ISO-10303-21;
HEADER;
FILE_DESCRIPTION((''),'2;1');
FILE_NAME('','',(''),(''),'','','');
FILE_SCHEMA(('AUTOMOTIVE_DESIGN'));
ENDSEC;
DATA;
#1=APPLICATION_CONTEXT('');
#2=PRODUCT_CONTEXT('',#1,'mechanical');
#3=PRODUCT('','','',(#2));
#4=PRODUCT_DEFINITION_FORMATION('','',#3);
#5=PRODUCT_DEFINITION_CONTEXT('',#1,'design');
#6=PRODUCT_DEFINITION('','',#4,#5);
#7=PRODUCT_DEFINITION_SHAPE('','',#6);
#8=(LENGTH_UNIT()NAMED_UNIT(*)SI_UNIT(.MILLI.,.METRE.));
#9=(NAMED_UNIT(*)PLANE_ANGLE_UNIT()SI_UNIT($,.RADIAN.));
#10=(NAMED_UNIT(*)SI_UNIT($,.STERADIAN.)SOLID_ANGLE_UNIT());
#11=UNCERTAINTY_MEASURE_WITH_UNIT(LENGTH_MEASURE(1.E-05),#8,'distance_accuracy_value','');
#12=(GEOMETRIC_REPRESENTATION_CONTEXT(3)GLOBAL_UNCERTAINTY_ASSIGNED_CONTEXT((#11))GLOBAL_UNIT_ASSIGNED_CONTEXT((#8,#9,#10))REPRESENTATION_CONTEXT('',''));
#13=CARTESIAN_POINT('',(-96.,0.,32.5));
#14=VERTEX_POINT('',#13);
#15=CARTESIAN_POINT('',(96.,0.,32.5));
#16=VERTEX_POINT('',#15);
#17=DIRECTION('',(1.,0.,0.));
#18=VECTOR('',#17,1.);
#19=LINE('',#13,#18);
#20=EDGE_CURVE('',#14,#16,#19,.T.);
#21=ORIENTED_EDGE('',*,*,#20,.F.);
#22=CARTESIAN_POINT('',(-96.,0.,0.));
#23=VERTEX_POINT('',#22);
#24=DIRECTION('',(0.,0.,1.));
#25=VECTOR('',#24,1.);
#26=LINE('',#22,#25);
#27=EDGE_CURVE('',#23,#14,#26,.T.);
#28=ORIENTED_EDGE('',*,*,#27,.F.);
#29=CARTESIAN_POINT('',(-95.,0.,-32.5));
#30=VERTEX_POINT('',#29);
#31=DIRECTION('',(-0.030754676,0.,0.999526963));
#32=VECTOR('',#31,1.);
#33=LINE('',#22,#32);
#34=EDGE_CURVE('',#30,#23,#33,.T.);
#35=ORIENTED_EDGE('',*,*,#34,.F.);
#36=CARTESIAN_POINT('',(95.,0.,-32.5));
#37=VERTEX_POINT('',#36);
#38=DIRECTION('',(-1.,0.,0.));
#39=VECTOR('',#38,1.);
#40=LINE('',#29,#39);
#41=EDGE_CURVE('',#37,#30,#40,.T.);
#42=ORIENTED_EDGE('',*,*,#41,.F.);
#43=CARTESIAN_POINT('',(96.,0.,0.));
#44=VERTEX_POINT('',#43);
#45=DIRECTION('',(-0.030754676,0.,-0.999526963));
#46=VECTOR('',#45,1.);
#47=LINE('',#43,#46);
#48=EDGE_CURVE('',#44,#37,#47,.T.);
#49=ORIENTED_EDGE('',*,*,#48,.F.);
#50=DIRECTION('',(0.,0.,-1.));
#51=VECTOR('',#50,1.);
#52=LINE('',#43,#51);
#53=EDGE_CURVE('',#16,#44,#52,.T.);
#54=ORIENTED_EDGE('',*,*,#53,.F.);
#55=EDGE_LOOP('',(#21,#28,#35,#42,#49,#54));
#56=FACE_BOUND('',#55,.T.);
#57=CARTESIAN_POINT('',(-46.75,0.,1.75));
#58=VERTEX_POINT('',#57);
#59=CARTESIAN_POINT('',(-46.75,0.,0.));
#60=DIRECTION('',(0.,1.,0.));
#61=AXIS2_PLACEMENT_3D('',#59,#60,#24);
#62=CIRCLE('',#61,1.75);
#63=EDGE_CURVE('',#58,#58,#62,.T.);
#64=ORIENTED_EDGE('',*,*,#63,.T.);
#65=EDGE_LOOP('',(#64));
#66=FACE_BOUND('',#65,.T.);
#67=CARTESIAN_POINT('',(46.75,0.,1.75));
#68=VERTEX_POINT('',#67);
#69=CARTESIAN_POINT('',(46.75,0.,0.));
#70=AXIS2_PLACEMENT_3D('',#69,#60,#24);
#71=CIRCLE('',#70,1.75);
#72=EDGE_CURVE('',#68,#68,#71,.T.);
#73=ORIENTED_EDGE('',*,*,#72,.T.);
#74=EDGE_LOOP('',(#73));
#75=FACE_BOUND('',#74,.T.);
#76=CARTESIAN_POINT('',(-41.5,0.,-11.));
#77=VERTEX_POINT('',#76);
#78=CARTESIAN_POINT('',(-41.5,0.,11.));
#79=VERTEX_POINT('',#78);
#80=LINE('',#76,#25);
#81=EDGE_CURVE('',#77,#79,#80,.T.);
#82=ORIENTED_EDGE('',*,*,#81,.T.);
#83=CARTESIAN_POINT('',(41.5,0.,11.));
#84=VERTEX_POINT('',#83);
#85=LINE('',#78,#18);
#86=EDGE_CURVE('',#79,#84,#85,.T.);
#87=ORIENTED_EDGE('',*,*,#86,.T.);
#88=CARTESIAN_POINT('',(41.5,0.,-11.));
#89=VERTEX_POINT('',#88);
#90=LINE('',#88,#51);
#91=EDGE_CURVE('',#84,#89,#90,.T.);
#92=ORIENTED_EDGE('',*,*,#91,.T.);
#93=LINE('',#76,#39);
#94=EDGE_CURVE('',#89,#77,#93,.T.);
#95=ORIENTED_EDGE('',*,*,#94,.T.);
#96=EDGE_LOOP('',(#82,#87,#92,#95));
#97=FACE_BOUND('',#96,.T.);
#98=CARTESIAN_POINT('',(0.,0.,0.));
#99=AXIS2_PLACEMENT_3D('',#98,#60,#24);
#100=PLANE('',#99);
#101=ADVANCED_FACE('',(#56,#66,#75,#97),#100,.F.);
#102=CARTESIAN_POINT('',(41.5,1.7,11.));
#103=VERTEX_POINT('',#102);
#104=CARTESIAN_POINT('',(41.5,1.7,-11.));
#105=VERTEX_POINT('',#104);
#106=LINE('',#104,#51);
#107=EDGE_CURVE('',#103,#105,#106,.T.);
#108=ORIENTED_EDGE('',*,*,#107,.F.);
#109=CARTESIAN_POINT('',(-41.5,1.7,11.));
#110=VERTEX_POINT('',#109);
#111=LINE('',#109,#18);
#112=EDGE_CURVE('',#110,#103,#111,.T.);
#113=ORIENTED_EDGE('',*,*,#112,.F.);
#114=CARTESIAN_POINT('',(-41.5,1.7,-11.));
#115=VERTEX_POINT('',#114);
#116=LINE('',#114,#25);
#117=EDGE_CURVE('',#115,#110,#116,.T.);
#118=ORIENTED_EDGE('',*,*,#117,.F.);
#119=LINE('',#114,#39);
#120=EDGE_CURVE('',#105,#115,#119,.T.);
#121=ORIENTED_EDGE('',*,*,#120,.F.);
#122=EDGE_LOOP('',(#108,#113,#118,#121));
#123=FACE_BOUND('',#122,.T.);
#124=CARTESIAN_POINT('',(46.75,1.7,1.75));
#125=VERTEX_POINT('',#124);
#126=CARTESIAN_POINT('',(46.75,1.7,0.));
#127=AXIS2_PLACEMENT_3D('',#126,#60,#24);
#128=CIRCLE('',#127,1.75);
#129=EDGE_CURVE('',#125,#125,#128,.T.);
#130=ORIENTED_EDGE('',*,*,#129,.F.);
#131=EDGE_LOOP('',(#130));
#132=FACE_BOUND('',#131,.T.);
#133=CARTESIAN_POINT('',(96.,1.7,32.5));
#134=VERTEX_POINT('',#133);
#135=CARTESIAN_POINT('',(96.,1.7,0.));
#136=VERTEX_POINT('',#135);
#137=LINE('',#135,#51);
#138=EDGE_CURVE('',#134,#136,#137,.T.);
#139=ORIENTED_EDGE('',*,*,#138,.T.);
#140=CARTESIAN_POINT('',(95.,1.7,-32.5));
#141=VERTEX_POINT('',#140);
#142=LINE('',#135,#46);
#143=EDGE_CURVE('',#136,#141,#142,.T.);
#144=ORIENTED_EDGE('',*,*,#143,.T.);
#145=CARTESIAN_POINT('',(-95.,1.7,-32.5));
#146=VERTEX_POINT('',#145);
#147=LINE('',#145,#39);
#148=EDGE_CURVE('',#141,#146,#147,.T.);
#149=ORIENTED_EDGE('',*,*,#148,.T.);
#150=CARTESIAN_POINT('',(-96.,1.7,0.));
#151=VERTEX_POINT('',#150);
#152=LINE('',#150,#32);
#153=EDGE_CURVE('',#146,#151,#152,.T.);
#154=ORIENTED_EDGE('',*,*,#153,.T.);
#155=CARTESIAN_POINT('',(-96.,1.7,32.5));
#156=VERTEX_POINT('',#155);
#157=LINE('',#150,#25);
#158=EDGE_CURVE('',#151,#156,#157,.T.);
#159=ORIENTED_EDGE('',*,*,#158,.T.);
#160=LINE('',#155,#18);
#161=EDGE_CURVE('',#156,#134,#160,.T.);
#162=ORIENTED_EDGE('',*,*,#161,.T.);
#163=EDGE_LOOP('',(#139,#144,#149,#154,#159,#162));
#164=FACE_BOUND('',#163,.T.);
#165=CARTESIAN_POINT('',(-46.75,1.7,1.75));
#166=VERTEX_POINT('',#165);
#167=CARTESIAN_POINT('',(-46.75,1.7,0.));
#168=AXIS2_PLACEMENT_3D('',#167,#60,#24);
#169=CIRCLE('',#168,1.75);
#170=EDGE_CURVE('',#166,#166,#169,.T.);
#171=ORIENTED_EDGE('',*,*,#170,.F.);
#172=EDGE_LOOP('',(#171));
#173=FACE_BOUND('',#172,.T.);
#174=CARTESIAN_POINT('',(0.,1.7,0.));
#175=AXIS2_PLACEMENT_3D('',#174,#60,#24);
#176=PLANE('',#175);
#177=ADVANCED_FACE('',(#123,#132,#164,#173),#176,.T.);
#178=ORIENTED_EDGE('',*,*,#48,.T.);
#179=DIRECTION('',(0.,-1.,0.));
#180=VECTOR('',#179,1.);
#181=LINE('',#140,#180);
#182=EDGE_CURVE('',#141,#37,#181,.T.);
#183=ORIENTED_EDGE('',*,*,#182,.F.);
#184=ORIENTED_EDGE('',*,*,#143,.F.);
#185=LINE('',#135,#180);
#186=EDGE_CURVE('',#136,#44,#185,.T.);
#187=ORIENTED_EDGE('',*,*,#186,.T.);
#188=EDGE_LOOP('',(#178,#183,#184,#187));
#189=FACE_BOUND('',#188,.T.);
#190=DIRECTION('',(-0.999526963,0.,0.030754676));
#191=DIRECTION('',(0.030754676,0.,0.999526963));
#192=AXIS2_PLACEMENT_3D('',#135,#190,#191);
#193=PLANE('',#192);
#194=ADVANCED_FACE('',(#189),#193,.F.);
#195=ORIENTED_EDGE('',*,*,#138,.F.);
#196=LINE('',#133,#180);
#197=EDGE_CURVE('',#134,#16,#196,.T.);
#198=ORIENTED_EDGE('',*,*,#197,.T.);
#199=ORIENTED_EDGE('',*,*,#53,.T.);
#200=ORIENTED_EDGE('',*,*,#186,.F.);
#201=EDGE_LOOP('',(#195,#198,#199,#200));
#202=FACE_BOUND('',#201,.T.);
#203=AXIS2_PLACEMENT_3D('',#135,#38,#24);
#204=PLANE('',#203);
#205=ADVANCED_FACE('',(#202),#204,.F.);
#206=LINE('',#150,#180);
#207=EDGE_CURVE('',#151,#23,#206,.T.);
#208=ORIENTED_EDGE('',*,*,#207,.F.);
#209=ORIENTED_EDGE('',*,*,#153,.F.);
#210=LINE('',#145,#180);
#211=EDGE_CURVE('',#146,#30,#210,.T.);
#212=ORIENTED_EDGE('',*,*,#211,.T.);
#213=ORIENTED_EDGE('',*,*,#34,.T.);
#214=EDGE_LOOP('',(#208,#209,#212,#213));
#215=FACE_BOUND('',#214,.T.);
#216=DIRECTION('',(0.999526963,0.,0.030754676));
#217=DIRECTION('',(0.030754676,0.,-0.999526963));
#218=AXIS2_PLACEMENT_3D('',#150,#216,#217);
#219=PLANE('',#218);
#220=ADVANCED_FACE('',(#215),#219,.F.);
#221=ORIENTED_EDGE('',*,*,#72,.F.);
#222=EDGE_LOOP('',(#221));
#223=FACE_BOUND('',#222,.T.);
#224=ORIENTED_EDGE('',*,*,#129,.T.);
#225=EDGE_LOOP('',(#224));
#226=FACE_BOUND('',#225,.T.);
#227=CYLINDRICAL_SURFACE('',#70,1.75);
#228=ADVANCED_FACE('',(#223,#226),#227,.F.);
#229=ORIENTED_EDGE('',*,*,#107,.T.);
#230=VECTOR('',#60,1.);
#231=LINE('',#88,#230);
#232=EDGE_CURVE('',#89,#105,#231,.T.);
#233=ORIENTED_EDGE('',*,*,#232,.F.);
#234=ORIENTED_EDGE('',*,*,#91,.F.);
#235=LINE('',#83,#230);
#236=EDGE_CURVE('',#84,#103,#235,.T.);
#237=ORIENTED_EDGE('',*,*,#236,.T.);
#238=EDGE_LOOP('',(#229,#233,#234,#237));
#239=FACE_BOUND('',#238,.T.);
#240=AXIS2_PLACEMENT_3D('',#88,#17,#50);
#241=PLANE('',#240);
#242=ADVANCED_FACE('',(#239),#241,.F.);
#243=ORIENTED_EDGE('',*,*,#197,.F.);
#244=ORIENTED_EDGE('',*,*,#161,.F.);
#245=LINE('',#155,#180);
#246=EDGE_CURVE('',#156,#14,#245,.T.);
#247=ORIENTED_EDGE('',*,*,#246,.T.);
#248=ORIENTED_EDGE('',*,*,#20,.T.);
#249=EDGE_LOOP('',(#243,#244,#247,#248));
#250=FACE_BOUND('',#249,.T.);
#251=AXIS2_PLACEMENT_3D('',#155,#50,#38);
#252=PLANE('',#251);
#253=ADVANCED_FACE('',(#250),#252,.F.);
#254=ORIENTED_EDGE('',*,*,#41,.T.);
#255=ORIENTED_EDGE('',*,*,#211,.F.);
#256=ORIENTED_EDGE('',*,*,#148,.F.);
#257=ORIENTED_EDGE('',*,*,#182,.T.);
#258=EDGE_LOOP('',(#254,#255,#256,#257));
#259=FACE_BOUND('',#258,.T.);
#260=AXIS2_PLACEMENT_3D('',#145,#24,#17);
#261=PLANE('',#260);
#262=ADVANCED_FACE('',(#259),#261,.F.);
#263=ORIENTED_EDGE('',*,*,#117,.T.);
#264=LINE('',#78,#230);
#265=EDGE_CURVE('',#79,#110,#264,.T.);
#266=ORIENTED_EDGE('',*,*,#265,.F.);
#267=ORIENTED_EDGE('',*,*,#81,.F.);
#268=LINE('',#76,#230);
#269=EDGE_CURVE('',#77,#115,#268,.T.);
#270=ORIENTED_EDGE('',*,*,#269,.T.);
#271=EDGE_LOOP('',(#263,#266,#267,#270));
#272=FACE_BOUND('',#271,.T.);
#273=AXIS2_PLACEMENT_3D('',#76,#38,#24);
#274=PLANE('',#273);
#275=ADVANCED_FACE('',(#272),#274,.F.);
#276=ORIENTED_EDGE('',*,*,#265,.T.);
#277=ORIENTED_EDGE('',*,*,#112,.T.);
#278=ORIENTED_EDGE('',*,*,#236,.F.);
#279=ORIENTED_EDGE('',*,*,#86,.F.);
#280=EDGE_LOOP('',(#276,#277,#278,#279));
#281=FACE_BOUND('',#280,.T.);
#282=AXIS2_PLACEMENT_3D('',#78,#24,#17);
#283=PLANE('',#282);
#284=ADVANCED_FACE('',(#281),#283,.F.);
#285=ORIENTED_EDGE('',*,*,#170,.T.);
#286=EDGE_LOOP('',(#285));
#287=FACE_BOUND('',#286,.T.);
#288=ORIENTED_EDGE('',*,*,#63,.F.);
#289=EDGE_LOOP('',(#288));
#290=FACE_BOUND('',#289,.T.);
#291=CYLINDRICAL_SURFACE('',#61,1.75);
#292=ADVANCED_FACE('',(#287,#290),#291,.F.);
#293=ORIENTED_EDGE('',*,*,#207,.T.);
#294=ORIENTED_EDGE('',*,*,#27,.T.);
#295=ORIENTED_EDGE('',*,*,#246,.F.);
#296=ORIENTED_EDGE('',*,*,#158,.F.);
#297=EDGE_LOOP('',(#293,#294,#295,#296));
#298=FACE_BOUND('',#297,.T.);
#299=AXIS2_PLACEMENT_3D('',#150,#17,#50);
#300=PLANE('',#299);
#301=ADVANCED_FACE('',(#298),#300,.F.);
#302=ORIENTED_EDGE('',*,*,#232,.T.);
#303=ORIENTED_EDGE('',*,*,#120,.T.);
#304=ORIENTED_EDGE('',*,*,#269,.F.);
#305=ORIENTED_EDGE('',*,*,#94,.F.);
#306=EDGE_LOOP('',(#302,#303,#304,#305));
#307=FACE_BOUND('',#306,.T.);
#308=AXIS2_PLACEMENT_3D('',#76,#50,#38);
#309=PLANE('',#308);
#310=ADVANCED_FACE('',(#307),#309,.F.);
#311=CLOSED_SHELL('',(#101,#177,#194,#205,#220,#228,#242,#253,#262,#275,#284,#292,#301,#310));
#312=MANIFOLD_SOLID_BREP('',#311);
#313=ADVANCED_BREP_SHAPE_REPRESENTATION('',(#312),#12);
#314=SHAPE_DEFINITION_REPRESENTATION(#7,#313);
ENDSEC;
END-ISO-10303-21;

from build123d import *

# Parameters (mm, degrees)
BOSS_EXTRUDE1_DEPTH = 1.7
SKETCH2_R           = 1.75
SKETCH2_W           = 83
SKETCH2_H           = 22
CUT_EXTRUDE1_DEPTH  = 1.7


with BuildPart() as part:
    # Sketch1 → Boss-Extrude1 (new body)
    with BuildSketch(Plane(origin=(0, 0, 0), x_dir=(1, 0, 0), z_dir=(0, 1, 0))):
        Polygon((-96, 0), (-95, 32.5), (95, 32.5), (96, 0), (96, -32.5), (-96, -32.5), align=None)
    extrude(amount=BOSS_EXTRUDE1_DEPTH)

    # Sketch2 → Cut-Extrude1 (cut)
    with BuildSketch(Plane(origin=(0, 1.7, 0), x_dir=(1, 0, 0), z_dir=(0, 1, 0))):
        with Locations((46.75, 0)):
            Circle(SKETCH2_R)
        with Locations((-46.75, 0)):
            Circle(SKETCH2_R)
        Rectangle(SKETCH2_W, SKETCH2_H)
    extrude(amount=-CUT_EXTRUDE1_DEPTH, mode=Mode.SUBTRACT)


solid = part.part
